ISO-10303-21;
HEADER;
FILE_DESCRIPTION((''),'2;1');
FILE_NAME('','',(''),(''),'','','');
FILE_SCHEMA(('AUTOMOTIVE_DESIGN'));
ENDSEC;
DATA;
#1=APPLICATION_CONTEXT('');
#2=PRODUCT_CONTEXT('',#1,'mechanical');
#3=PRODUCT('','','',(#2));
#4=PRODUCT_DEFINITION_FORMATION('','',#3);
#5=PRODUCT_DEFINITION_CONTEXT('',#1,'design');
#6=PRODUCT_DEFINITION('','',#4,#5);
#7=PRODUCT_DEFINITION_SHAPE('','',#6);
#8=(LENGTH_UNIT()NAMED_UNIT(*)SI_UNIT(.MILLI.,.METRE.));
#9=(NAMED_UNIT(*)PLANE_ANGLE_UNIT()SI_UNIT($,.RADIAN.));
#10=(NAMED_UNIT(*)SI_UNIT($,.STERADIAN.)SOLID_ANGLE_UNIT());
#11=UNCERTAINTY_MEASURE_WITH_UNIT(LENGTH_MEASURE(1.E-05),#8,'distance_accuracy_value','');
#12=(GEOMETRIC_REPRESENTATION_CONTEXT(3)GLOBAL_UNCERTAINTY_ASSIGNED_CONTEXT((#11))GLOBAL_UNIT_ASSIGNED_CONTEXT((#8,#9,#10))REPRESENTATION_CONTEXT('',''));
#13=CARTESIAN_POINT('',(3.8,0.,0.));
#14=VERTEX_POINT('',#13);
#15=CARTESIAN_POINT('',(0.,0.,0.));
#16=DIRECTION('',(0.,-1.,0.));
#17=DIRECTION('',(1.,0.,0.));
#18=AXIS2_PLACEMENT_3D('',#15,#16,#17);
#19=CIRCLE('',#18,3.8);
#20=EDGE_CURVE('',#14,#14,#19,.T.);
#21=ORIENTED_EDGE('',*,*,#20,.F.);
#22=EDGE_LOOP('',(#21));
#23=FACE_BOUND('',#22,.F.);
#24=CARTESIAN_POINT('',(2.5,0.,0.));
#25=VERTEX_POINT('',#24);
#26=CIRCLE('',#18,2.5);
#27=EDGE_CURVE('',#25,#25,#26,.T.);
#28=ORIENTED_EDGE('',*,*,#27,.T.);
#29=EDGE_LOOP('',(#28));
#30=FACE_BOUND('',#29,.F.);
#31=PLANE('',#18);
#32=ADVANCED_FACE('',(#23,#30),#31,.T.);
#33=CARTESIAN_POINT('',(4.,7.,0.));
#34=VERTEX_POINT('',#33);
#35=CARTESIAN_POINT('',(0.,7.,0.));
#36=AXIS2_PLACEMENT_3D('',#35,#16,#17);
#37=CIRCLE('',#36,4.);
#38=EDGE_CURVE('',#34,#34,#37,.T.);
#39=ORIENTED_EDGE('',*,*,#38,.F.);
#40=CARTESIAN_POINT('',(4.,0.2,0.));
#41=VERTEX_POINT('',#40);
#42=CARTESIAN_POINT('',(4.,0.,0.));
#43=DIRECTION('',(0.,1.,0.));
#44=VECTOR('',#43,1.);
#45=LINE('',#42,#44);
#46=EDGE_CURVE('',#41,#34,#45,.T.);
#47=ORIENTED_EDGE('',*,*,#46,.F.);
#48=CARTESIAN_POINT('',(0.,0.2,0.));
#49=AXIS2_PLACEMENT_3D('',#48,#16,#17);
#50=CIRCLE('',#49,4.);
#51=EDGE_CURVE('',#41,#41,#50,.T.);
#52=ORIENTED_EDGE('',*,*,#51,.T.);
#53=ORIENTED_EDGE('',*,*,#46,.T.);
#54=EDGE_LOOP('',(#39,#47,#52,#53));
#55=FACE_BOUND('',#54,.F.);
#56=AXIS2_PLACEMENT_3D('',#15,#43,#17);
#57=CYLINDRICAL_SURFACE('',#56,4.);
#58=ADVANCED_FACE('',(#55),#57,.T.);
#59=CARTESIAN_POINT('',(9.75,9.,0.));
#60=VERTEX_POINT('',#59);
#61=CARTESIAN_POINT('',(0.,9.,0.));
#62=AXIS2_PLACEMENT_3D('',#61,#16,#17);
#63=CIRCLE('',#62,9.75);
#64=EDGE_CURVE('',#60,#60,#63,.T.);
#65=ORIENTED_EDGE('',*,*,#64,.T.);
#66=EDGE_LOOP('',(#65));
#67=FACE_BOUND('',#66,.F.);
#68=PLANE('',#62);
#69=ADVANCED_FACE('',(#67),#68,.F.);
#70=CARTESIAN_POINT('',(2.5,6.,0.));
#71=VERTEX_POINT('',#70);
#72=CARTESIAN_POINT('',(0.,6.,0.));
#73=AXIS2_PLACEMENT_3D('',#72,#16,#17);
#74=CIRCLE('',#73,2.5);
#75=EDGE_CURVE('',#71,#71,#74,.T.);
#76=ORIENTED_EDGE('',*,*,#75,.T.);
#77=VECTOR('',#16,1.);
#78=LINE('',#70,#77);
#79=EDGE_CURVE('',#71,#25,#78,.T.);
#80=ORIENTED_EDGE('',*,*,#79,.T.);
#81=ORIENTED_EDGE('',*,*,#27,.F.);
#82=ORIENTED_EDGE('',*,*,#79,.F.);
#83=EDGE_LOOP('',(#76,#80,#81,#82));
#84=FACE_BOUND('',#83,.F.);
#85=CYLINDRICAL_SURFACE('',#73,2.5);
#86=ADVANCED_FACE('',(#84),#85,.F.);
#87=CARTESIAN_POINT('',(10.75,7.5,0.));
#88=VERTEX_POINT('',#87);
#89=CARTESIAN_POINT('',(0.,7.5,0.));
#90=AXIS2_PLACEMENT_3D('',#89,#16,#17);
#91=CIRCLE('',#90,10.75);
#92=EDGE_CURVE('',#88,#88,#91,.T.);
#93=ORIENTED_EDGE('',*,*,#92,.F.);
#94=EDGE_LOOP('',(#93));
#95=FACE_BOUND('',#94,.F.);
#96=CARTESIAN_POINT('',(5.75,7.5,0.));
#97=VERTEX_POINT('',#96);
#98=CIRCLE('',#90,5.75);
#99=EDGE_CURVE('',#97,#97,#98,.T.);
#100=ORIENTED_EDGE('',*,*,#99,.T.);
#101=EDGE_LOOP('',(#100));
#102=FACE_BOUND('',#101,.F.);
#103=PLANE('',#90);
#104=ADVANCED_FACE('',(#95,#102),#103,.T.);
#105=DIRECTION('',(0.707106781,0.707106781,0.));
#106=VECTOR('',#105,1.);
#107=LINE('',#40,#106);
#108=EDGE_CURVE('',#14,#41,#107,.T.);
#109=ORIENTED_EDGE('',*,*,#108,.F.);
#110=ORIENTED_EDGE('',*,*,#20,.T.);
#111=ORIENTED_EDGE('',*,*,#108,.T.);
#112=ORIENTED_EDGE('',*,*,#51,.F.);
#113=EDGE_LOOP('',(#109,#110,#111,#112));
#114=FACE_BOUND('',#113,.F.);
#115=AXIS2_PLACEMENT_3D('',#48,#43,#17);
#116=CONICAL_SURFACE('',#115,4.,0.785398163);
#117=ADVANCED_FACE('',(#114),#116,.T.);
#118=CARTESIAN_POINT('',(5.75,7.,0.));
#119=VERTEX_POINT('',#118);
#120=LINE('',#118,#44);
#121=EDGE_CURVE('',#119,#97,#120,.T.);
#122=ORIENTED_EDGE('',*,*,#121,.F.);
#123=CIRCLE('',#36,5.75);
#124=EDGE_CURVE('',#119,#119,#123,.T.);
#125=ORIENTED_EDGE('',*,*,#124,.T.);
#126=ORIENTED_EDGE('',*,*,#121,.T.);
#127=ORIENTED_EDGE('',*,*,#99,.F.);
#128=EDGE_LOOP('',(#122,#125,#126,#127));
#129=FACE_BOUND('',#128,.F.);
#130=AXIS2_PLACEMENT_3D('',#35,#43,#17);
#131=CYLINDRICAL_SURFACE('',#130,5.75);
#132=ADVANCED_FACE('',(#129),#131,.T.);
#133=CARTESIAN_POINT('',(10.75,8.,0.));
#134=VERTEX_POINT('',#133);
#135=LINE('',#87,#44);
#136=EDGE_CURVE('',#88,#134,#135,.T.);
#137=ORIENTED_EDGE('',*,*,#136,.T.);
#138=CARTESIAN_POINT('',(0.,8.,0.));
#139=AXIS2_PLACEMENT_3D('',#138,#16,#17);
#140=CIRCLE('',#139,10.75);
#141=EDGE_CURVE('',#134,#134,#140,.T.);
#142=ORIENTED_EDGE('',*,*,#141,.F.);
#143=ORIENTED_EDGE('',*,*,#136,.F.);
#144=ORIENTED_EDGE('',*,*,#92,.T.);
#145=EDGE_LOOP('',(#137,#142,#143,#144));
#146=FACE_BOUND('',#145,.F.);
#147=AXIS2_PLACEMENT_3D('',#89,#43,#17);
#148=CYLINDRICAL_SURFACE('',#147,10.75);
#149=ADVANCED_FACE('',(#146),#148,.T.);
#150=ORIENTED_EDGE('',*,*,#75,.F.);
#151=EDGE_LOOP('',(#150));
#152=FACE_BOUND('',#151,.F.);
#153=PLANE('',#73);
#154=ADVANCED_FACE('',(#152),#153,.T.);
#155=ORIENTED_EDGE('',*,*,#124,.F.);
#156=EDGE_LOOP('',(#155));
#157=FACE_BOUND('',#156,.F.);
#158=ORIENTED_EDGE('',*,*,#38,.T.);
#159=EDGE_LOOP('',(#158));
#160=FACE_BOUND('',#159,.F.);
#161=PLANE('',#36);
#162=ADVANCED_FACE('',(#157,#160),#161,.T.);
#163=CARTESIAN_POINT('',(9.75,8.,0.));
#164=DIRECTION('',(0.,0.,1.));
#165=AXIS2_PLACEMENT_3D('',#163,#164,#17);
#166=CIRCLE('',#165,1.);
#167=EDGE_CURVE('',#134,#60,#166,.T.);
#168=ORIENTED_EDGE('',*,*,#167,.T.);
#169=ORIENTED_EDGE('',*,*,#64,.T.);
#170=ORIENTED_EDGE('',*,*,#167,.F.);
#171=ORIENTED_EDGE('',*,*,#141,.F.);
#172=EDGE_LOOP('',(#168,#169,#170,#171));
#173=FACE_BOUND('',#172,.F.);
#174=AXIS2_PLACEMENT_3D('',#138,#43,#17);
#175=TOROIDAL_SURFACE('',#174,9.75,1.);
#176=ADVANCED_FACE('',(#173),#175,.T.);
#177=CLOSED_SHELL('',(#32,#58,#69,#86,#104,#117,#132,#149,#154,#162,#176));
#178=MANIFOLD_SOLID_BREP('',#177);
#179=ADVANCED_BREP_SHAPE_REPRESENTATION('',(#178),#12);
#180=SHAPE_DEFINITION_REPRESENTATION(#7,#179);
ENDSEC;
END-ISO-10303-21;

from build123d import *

# Parameters (mm, degrees)
F2_SIZE = 0.2
F3_R    = 1


with BuildPart() as f1:
    # F0 (on Top) → F1 (revolve)
    with BuildSketch(Plane.XY):
        Polygon((2.5, 6), (2.5, 0), (4, 0), (4, 7), (5.75, 7), (5.75, 7.5), (10.75, 7.5), (10.75, 9), (0, 9), (0, 6), align=None)
    revolve(axis=Axis((0, 5.832618, 0), (0, -1, 0)))

    # F2
    f2_edges = [f1.edges().sort_by_distance(p)[0] for p in [
        (-4, 0, 0),
    ]]
    chamfer(f2_edges, length=F2_SIZE)

    # F3
    f3_edges = [f1.edges().sort_by_distance(p)[0] for p in [
        (-10.75, 9, 0),
    ]]
    fillet(f3_edges, radius=F3_R)


solid = f1.part
